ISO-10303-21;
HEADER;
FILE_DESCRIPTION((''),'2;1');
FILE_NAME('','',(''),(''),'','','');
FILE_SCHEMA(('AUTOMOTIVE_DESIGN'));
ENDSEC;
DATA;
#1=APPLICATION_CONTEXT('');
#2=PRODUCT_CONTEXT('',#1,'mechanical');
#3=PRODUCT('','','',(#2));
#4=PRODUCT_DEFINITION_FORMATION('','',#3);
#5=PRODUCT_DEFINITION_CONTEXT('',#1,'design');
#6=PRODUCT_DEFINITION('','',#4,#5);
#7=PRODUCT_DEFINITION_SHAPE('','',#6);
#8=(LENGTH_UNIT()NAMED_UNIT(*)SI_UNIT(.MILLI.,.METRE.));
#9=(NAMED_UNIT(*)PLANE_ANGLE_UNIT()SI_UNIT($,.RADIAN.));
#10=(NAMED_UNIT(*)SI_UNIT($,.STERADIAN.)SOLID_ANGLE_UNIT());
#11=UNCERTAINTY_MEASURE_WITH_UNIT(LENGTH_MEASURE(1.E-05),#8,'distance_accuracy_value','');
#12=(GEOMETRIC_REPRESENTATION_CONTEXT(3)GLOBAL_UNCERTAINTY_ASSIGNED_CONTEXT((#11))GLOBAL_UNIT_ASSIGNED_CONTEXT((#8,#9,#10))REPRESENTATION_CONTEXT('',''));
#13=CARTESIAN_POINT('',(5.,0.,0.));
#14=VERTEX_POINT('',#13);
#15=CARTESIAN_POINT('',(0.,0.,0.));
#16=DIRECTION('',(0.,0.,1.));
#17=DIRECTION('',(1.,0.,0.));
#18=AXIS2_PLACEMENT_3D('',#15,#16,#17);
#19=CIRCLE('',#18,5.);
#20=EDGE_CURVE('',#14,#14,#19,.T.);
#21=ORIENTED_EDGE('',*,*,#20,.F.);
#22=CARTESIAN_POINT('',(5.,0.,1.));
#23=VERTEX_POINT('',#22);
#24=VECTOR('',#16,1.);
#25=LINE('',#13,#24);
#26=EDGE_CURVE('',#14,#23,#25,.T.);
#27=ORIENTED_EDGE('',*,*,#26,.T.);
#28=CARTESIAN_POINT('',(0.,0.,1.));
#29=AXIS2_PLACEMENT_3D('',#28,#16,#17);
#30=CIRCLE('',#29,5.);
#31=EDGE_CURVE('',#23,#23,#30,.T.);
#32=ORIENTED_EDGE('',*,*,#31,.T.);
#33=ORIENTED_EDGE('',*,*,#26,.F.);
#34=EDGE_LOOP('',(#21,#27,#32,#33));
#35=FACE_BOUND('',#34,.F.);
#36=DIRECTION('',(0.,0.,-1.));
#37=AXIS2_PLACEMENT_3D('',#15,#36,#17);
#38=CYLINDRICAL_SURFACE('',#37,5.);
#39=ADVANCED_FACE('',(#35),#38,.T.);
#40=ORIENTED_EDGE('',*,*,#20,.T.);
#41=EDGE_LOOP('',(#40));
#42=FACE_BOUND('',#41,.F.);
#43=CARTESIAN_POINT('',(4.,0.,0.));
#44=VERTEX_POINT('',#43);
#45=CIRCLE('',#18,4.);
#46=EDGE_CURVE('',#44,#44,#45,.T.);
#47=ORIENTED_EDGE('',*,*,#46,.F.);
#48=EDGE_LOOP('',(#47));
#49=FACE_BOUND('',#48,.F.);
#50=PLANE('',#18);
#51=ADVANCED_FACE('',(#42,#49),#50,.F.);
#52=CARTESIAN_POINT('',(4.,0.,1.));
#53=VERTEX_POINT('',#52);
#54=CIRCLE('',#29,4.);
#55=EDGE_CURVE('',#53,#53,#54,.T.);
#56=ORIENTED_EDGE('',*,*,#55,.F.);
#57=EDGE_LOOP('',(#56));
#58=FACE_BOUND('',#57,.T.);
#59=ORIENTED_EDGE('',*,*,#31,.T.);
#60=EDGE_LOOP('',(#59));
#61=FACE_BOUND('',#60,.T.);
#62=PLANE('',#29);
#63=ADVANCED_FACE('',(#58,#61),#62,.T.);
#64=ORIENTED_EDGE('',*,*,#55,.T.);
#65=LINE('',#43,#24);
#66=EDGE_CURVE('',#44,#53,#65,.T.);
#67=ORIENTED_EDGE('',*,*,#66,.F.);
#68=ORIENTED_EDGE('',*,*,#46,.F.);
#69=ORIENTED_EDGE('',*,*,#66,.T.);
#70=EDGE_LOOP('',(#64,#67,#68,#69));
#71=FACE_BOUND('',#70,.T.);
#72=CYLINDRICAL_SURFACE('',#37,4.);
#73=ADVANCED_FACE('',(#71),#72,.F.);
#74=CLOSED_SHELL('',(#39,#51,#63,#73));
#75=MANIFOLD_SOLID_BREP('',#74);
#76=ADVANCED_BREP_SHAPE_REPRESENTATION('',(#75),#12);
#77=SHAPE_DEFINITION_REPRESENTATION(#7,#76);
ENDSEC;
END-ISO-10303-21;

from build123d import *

# Parameters (mm, degrees)
SKETCH_R   = 5
SKETCH_R_2 = 4
PAD_DEPTH  = 1


with BuildPart() as part:
    # Sketch → Pad (new body)
    with BuildSketch(Plane.XY):
        Circle(SKETCH_R)
        Circle(SKETCH_R_2, mode=Mode.SUBTRACT)
    extrude(amount=PAD_DEPTH)


solid = part.part
